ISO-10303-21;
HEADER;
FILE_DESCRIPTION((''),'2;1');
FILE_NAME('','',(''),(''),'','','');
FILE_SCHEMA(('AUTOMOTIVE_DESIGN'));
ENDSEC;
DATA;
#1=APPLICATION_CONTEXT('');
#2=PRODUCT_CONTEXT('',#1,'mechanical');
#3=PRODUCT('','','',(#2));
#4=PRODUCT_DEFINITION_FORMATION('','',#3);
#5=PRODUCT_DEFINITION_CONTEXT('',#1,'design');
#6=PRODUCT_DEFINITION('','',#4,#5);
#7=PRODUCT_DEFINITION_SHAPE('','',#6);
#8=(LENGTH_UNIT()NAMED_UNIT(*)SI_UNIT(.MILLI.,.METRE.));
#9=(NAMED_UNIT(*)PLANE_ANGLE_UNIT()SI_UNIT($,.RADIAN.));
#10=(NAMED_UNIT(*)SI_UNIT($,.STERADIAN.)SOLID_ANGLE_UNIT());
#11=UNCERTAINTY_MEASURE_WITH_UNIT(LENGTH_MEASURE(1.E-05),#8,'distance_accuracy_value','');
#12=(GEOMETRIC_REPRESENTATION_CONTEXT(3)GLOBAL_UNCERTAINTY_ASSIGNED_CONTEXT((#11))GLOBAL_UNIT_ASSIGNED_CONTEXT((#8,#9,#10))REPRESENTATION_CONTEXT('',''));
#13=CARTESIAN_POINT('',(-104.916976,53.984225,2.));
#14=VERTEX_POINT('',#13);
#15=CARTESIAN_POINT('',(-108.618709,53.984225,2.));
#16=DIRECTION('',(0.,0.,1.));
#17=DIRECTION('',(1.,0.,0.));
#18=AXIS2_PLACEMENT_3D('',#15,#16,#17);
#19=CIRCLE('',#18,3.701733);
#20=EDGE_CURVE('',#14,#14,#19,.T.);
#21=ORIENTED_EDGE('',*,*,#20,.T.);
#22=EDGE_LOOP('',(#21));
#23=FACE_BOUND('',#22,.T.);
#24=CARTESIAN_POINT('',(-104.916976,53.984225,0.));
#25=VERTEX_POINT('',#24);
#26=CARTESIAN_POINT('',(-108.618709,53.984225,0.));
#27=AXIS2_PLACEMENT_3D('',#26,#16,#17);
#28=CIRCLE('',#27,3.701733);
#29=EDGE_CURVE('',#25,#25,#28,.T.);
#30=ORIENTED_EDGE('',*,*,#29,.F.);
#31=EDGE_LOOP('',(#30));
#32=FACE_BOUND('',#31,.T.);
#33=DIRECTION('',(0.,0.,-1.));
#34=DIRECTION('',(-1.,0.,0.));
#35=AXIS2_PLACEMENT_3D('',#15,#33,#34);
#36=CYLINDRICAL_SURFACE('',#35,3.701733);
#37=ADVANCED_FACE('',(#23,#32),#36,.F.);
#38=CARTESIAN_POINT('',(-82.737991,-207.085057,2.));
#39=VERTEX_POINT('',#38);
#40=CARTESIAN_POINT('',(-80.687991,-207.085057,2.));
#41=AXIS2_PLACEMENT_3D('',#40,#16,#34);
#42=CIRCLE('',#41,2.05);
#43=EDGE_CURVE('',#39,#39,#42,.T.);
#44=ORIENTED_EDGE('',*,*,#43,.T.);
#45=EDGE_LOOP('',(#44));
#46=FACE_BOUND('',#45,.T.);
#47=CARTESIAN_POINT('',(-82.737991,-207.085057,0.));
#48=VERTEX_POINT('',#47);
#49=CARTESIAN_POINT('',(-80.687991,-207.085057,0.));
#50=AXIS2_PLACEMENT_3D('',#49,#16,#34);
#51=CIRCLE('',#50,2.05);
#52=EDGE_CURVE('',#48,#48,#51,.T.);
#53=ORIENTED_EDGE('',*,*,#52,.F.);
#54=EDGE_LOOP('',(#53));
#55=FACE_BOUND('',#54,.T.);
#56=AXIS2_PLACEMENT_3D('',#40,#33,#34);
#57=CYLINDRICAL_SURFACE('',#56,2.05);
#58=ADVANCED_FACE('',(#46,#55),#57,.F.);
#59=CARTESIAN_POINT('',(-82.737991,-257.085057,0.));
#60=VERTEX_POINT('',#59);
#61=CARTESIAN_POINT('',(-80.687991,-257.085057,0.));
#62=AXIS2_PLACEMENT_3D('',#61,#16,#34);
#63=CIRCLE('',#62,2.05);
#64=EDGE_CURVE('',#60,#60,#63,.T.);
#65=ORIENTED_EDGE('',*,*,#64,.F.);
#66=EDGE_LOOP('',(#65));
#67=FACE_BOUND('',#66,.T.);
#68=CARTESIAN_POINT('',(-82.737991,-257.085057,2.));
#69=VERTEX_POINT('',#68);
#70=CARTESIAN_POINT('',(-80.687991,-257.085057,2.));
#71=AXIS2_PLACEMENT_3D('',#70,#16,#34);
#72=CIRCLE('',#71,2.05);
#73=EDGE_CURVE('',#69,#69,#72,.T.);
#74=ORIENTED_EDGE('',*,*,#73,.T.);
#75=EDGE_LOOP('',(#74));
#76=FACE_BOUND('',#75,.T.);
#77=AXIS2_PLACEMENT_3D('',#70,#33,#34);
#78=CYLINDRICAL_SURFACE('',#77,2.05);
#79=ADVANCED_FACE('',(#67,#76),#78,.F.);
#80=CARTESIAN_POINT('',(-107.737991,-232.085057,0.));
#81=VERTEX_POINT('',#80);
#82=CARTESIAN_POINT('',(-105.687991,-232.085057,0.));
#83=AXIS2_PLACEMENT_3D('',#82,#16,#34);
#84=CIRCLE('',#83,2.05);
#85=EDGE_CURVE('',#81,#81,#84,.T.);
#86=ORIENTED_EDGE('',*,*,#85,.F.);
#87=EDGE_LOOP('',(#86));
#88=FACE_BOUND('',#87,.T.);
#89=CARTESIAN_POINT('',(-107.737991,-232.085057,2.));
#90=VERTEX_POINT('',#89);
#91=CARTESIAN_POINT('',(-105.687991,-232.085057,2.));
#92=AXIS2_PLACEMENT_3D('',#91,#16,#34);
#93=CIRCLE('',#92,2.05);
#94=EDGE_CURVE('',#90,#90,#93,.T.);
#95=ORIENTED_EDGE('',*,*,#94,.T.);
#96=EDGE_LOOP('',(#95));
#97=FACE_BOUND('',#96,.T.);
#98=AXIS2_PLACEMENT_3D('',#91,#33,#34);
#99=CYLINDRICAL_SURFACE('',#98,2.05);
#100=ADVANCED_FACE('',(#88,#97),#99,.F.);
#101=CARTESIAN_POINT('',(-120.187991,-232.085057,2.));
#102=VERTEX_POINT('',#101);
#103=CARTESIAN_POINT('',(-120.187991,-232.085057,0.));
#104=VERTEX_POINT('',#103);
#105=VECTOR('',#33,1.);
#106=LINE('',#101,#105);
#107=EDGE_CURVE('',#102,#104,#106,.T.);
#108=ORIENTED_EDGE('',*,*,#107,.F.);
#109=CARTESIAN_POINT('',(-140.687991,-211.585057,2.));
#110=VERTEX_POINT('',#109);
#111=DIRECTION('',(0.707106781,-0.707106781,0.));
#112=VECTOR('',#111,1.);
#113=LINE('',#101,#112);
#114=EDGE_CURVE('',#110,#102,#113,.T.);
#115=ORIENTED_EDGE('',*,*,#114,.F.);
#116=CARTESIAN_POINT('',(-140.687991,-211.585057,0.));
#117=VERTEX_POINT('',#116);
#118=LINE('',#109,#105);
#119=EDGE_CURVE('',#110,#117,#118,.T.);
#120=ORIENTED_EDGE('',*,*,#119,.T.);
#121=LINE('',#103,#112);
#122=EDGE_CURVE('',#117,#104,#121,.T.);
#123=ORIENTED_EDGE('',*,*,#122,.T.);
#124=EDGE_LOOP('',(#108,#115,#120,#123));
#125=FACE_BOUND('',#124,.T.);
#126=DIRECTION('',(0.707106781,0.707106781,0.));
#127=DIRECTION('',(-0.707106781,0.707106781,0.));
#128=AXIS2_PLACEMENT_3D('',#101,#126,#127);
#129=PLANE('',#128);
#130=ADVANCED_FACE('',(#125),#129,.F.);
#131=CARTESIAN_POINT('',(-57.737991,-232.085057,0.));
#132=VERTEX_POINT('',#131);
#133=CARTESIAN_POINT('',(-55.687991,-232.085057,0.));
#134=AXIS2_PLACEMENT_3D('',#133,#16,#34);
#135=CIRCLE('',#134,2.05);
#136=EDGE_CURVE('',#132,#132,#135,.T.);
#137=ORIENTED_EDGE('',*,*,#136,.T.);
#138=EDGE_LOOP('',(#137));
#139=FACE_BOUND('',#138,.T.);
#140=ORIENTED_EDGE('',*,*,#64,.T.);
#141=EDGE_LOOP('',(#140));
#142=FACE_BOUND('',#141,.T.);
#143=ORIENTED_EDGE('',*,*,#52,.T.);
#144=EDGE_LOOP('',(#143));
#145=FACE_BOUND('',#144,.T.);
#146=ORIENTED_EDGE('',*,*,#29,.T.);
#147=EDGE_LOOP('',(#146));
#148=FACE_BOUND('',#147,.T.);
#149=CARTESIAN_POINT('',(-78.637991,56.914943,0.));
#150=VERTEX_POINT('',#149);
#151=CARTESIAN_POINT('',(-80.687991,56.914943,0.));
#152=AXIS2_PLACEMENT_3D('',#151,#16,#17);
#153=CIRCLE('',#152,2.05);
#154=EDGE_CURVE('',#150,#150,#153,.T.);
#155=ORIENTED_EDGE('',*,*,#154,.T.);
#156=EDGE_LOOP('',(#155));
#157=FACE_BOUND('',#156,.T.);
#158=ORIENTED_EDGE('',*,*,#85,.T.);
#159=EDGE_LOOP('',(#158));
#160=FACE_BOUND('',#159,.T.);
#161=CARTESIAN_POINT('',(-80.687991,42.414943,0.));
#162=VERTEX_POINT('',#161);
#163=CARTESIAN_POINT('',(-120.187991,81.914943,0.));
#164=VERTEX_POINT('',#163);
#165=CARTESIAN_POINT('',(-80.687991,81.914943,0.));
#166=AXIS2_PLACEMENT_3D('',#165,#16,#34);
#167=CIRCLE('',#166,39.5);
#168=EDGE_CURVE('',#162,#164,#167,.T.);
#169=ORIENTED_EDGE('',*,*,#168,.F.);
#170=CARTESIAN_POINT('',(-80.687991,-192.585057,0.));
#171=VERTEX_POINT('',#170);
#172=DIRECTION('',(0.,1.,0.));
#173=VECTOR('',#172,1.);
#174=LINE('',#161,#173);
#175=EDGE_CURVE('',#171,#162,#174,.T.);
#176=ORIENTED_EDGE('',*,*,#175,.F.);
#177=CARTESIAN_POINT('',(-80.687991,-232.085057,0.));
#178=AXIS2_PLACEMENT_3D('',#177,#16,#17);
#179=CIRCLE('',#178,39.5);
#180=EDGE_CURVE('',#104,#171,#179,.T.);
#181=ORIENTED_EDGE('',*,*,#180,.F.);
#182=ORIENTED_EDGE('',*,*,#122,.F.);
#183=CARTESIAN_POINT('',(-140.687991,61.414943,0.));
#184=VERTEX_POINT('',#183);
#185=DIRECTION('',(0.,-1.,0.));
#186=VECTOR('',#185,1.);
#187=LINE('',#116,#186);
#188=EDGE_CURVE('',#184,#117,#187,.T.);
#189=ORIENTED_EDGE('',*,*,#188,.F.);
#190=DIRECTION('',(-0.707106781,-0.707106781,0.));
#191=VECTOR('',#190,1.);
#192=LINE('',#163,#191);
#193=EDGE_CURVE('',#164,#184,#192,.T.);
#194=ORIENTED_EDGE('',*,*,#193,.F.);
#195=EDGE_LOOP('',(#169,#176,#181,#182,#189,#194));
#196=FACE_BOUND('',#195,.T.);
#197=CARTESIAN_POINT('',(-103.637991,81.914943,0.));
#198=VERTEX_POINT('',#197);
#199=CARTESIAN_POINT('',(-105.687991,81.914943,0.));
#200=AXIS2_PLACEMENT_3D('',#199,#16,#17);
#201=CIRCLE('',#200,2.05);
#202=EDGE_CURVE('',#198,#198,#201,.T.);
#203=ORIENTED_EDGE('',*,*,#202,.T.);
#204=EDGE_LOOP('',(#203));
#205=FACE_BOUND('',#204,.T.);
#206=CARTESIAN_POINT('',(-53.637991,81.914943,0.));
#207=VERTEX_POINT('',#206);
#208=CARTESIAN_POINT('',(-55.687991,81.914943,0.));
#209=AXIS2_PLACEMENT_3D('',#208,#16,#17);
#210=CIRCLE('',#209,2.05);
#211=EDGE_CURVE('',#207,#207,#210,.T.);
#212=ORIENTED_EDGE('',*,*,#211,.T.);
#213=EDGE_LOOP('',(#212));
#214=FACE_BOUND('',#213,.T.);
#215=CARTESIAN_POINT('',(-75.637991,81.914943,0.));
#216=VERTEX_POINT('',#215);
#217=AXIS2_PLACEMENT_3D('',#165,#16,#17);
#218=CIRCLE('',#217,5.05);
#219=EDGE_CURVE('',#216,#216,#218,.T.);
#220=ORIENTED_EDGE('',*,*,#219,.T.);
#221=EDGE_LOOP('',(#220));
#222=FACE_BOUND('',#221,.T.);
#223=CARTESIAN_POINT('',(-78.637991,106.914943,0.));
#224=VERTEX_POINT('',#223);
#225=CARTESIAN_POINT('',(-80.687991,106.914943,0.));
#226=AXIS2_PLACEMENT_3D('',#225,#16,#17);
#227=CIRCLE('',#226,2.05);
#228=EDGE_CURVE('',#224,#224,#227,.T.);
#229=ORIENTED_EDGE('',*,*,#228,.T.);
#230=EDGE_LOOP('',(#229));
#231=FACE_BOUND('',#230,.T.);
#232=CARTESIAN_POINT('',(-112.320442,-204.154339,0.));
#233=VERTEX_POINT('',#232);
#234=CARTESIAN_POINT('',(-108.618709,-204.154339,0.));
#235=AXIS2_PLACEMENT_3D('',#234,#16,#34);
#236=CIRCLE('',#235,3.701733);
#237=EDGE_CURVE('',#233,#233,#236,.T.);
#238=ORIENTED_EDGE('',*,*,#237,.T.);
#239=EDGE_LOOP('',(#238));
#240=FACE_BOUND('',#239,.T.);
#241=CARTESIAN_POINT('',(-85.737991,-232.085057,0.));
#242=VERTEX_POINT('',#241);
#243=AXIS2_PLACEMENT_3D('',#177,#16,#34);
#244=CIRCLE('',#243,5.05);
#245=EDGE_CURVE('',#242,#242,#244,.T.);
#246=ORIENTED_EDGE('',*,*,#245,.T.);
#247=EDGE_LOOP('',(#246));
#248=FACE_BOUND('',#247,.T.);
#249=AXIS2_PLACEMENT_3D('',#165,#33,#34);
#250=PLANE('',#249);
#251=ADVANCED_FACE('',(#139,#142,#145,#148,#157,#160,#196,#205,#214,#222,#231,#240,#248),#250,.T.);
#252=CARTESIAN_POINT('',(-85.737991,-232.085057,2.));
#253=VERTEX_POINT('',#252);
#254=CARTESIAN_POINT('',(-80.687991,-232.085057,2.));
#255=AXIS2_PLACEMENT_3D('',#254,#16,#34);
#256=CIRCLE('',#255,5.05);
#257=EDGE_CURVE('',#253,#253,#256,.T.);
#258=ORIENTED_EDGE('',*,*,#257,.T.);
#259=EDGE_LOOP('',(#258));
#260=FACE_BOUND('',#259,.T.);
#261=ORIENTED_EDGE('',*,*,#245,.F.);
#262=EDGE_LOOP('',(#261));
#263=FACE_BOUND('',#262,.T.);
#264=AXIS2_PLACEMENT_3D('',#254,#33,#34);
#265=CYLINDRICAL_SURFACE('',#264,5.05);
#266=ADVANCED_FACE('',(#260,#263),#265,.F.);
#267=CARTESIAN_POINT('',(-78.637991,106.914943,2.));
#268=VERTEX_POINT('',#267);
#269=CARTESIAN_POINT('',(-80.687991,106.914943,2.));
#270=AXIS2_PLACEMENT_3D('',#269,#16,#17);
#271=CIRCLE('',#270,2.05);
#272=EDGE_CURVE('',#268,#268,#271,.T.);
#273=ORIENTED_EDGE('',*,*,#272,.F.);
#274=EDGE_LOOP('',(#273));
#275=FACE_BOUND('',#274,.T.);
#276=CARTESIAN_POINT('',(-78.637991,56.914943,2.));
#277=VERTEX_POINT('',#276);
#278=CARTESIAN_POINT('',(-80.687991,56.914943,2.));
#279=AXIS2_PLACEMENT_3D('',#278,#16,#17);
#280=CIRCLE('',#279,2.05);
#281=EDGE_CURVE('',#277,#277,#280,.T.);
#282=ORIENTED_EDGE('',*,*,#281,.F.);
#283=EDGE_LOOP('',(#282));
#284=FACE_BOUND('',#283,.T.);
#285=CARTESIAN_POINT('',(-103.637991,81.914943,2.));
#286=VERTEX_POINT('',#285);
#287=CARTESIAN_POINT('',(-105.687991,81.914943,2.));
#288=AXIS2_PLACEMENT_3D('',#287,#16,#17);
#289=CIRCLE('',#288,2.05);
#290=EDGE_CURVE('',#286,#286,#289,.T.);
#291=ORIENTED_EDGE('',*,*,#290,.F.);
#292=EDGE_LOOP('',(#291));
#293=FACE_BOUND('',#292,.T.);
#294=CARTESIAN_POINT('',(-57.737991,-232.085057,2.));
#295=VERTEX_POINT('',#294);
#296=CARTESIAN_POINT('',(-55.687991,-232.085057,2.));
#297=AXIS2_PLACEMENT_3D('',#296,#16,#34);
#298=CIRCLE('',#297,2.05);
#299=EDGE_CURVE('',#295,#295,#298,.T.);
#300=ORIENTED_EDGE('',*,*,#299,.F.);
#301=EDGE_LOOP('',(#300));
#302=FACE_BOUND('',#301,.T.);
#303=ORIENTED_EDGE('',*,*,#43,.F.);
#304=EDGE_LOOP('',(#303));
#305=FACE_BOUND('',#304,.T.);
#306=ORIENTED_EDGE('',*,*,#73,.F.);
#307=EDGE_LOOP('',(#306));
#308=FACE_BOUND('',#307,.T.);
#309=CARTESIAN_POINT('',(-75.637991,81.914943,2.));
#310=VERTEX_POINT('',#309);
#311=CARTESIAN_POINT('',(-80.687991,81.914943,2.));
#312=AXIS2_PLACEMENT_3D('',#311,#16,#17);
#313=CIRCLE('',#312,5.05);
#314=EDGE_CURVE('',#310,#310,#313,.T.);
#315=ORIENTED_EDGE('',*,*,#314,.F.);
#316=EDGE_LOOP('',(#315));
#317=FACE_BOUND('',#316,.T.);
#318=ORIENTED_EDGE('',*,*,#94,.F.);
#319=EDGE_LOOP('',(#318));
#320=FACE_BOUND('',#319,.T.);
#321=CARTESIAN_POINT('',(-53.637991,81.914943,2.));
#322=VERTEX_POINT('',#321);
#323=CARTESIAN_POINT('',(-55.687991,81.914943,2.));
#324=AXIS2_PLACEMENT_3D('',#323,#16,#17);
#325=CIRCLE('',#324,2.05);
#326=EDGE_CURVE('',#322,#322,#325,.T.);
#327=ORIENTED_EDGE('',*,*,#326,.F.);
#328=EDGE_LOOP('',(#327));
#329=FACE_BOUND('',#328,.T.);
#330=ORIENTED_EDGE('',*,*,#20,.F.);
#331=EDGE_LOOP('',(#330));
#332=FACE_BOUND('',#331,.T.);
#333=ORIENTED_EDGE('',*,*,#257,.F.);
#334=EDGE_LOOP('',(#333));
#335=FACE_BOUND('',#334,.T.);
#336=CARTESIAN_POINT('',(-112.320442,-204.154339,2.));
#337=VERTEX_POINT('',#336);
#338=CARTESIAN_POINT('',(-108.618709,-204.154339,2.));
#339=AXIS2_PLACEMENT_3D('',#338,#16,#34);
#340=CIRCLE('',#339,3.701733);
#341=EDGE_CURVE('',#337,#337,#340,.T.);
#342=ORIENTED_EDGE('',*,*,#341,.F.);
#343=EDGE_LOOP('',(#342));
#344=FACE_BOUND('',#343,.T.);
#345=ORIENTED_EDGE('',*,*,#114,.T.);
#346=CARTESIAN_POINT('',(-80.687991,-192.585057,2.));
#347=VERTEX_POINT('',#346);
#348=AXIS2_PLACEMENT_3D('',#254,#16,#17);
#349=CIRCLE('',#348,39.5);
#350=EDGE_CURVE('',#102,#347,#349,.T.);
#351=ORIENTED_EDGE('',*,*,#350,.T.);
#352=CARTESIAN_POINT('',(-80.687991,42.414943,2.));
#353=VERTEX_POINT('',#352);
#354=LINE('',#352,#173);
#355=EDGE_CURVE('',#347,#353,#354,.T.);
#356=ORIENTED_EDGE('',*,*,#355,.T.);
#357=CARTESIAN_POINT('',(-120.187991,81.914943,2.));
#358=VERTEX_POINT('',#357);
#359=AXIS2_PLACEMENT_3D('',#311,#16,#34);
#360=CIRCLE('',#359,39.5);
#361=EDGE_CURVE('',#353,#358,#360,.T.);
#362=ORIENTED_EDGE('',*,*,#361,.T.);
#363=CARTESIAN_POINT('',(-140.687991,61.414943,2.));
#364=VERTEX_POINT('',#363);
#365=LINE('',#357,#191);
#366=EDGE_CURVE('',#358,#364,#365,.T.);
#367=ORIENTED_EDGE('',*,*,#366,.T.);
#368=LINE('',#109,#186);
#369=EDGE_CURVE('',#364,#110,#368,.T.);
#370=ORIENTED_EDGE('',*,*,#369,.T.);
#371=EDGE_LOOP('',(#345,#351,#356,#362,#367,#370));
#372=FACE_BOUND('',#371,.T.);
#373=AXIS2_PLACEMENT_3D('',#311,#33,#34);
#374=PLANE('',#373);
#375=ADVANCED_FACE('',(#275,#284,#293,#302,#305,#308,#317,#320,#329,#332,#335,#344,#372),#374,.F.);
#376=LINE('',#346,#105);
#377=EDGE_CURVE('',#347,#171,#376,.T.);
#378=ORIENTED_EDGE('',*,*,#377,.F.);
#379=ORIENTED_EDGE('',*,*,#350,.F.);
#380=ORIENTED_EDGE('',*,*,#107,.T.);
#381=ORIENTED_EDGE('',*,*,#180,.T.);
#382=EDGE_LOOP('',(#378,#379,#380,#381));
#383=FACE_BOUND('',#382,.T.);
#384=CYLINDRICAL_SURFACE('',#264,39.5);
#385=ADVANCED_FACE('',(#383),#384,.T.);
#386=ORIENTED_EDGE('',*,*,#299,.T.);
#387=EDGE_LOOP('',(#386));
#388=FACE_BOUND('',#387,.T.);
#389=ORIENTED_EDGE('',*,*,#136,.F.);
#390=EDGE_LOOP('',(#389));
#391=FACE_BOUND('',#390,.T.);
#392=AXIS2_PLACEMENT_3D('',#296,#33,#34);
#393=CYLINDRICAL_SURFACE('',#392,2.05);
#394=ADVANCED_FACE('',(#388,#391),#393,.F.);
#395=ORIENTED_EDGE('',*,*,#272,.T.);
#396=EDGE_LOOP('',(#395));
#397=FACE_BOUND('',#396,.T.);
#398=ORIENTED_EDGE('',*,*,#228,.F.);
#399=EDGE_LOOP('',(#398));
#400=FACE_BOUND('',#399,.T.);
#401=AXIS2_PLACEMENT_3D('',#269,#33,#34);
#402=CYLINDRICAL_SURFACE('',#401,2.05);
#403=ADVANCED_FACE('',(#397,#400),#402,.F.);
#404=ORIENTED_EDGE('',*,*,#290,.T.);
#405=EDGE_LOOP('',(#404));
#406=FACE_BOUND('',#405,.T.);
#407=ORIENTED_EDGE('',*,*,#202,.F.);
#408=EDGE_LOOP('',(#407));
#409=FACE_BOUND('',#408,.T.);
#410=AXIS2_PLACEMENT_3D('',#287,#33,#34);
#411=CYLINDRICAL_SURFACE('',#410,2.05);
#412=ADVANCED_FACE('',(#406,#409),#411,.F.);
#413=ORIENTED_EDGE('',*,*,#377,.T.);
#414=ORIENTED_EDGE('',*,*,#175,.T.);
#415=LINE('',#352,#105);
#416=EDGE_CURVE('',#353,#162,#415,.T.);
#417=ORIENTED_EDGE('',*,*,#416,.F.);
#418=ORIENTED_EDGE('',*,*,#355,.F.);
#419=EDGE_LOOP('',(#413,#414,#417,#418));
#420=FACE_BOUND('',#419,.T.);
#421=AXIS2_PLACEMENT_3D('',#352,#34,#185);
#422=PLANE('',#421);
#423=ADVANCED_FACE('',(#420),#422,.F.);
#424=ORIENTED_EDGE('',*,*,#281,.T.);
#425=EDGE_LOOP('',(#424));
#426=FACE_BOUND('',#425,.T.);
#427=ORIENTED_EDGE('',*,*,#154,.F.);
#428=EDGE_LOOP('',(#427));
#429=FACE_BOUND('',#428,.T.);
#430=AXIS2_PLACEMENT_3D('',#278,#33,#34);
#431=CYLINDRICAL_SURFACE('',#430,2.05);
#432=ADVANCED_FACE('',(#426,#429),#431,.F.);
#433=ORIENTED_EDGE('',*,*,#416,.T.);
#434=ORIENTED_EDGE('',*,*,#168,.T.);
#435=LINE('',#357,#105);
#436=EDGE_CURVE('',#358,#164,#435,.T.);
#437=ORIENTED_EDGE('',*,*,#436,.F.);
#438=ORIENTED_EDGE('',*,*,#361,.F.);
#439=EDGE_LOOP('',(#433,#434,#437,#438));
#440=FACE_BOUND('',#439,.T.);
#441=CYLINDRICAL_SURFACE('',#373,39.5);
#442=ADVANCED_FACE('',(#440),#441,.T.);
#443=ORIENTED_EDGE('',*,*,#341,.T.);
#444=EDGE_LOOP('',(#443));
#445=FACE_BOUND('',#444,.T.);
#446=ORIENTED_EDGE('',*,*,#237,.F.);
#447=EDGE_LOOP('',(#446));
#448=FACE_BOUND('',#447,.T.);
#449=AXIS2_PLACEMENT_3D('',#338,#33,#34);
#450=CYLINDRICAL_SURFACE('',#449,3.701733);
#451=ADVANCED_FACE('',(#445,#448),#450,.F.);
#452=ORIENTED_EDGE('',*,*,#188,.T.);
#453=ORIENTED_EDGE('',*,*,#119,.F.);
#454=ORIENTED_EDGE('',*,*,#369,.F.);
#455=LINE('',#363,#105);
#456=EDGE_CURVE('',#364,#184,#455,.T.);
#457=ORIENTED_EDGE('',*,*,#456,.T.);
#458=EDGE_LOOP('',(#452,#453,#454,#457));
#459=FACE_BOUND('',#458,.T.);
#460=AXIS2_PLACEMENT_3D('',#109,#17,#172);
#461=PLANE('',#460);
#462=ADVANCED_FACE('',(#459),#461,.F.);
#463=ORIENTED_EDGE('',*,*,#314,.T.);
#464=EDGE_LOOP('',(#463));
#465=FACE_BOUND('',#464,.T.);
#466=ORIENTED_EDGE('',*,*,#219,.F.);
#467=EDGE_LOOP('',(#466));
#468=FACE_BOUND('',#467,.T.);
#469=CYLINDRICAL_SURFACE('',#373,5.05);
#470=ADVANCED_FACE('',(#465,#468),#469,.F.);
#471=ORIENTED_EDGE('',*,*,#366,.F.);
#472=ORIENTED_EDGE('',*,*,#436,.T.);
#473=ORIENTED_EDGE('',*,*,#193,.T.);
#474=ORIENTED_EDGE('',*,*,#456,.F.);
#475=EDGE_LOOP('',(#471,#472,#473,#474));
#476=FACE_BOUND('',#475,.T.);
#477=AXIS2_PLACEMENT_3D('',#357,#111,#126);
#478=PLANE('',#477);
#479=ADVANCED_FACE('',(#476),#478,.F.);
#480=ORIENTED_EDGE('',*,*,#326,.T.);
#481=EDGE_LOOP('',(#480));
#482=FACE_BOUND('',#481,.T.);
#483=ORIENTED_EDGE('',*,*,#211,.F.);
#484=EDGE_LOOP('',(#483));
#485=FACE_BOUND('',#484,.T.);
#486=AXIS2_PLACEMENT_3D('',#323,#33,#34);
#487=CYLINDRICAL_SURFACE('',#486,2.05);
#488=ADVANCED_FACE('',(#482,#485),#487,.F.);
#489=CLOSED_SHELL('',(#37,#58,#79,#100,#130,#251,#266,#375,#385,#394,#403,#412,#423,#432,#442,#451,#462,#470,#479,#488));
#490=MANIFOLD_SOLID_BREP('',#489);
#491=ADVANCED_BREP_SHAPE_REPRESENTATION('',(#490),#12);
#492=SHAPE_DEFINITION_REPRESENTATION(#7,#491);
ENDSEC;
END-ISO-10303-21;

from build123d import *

# Parameters (mm, degrees)
SKETCH_1_R      = 5.05
SKETCH_1_R_2    = 2.05
SKETCH_1_R_3    = 3.701732688
EXTRUDE_1_DEPTH = 2


with BuildPart() as part:
    # 草图1 → 凸台-拉伸1 (new body)
    with BuildSketch(Plane.XY):
        with BuildLine():
            Line((-80.687991051, 42.414942906), (-80.687991051, -192.585057094))
            ThreePointArc((-80.687991051, -192.585057094), (-52.757273194, -260.015774951), (-120.187991051, -232.085057094))
            Line((-120.187991051, -232.085057094), (-140.687991051, -211.585057094))
            Line((-140.687991051, -211.585057094), (-140.687991051, 61.414942906))
            Line((-140.687991051, 61.414942906), (-120.187991051, 81.914942906))
            ThreePointArc((-120.187991051, 81.914942906), (-52.757273194, 109.845660763), (-80.687991051, 42.414942906))
        make_face()
        with Locations((-80.687991051, 81.914942906)):
            Circle(SKETCH_1_R, mode=Mode.SUBTRACT)
        with Locations((-80.687991051, 56.914942906)):
            Circle(SKETCH_1_R_2, mode=Mode.SUBTRACT)
        with Locations((-108.618708908, 53.984225049)):
            Circle(SKETCH_1_R_3, mode=Mode.SUBTRACT)
        with Locations((-55.687991051, 81.914942906)):
            Circle(SKETCH_1_R_2, mode=Mode.SUBTRACT)
        with Locations((-105.687991051, 81.914942906)):
            Circle(SKETCH_1_R_2, mode=Mode.SUBTRACT)
        with Locations((-80.687991051, 106.914942906)):
            Circle(SKETCH_1_R_2, mode=Mode.SUBTRACT)
        with Locations(Location((-80.687991051, -257.085057094, 0), (0, 0, 180))):
            Circle(SKETCH_1_R_2, mode=Mode.SUBTRACT)
        with Locations(Location((-105.687991051, -232.085057094, 0), (0, 0, 180))):
            Circle(SKETCH_1_R_2, mode=Mode.SUBTRACT)
        with Locations(Location((-55.687991051, -232.085057094, 0), (0, 0, 180))):
            Circle(SKETCH_1_R_2, mode=Mode.SUBTRACT)
        with Locations(Location((-108.618708908, -204.154339237, 0), (0, 0, 180))):
            Circle(SKETCH_1_R_3, mode=Mode.SUBTRACT)
        with Locations(Location((-80.687991051, -207.085057094, 0), (0, 0, 180))):
            Circle(SKETCH_1_R_2, mode=Mode.SUBTRACT)
        with Locations(Location((-80.687991051, -232.085057094, 0), (0, 0, 180))):
            Circle(SKETCH_1_R, mode=Mode.SUBTRACT)
    extrude(amount=EXTRUDE_1_DEPTH)


solid = part.part
